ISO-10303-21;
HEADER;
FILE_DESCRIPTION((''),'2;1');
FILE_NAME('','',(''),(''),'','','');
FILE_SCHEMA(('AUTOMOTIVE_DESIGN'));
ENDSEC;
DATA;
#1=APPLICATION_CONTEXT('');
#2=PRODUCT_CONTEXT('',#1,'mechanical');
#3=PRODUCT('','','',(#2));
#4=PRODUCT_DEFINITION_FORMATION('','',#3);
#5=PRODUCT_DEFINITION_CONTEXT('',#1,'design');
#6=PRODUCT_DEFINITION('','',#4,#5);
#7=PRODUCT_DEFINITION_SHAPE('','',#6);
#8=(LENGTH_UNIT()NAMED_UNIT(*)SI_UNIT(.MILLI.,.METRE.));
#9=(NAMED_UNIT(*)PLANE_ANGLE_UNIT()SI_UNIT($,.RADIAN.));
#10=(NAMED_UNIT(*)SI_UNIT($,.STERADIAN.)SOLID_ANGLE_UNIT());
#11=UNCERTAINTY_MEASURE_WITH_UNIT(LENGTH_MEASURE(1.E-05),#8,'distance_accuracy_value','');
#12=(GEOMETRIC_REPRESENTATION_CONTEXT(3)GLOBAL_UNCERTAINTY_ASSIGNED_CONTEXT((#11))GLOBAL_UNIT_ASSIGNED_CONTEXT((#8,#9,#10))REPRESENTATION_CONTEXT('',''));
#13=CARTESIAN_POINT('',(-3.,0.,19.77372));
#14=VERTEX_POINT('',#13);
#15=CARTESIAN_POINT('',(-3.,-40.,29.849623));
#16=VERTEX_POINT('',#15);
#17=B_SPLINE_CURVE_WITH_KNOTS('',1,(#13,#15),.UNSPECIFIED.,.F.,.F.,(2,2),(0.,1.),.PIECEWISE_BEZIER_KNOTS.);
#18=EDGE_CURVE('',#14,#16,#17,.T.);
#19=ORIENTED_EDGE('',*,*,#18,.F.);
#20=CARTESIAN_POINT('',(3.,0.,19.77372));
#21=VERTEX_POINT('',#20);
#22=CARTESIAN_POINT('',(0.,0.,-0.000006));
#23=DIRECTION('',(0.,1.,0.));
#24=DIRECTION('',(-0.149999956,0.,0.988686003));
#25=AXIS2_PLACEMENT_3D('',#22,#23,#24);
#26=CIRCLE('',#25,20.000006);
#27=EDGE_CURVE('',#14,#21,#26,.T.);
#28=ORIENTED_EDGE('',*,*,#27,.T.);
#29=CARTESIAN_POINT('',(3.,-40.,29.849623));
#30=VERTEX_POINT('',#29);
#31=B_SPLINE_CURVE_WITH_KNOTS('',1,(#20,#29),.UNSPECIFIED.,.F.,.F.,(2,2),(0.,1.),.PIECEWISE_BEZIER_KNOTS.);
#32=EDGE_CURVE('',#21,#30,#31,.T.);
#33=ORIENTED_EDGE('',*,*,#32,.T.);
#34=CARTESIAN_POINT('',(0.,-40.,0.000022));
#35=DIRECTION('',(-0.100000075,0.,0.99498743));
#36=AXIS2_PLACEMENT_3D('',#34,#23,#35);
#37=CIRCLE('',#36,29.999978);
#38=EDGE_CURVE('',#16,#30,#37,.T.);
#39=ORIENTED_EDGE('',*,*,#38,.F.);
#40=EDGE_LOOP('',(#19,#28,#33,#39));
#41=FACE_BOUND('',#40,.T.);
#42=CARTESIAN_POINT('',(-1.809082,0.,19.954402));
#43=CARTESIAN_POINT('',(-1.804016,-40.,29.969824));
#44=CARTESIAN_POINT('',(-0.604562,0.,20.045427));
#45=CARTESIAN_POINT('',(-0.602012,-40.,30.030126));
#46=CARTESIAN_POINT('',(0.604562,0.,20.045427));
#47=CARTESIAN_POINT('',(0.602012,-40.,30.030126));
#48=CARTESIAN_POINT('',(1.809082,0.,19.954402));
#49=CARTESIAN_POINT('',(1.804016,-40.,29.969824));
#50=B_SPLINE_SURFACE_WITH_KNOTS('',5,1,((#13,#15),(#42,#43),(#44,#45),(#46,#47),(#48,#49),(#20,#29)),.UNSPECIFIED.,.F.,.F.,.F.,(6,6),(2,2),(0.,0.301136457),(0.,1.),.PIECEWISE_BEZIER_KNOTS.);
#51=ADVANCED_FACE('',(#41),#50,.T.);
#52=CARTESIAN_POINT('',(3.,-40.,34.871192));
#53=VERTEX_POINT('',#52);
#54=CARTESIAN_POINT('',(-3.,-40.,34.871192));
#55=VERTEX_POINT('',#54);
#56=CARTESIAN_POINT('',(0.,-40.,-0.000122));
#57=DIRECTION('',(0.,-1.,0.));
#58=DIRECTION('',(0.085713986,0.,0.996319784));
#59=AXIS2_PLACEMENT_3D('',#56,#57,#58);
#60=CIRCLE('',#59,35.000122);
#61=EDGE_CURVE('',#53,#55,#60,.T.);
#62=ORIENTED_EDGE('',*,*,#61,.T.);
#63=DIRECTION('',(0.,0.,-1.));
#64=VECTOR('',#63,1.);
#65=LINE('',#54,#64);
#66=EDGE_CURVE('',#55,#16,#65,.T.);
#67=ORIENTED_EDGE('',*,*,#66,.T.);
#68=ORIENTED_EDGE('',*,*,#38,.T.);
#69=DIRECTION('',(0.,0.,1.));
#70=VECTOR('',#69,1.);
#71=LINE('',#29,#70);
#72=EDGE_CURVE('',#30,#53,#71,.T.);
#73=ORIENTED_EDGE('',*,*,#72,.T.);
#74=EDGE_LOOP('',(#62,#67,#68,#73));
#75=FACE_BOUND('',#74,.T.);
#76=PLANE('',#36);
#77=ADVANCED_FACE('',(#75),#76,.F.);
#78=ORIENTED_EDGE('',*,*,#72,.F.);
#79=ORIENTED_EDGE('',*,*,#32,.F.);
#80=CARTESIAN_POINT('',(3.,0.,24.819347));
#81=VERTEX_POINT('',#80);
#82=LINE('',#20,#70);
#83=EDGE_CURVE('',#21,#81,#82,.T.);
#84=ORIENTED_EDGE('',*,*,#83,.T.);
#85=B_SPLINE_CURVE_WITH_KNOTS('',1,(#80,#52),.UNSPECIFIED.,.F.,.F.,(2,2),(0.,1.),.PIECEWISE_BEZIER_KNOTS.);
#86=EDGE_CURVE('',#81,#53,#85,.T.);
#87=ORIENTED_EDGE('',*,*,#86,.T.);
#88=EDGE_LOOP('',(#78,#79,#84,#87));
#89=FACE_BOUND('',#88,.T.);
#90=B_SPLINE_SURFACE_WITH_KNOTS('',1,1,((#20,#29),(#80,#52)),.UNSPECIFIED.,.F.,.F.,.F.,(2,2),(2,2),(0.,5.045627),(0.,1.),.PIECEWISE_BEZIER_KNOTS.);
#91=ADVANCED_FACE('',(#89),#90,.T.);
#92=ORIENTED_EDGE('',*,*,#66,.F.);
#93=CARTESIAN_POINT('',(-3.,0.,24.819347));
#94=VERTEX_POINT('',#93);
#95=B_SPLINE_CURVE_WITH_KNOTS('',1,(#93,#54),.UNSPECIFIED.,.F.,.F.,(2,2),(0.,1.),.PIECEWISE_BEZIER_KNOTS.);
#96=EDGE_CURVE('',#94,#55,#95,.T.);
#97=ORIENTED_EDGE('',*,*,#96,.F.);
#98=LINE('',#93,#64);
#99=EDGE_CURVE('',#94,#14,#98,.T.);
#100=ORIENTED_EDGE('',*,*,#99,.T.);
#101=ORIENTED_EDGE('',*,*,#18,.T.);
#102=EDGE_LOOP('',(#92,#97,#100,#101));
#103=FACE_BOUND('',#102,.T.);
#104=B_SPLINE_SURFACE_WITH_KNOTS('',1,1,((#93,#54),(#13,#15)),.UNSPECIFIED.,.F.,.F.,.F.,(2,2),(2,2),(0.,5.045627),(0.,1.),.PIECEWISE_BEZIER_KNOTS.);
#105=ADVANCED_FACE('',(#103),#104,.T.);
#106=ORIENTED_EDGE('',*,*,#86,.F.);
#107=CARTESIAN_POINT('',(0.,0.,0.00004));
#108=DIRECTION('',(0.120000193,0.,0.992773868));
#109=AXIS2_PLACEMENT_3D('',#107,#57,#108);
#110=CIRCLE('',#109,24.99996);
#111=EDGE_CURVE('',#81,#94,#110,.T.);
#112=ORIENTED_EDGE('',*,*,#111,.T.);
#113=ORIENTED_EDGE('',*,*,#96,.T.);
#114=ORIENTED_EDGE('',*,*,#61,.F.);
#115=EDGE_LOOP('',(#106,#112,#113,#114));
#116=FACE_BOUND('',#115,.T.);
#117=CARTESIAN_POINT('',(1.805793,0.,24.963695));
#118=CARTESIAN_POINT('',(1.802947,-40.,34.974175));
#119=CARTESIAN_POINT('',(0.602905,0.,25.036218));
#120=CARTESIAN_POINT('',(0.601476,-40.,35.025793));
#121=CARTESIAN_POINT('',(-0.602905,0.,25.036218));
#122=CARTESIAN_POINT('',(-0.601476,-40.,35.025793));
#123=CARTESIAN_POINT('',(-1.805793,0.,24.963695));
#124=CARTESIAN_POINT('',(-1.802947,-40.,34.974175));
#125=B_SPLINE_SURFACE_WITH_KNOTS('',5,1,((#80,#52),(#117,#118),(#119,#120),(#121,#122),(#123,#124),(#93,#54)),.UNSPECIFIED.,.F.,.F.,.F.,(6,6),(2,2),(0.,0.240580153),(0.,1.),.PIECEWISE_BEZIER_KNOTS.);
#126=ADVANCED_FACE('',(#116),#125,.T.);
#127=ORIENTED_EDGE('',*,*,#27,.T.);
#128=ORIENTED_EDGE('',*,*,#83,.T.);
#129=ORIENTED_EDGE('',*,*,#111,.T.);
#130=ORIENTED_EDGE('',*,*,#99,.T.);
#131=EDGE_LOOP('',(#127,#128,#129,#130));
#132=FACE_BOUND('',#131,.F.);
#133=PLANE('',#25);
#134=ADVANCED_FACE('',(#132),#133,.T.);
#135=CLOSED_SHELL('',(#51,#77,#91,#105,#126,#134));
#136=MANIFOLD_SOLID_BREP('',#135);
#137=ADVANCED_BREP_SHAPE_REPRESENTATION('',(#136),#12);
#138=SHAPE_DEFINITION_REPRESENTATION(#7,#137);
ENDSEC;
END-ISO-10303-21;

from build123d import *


with BuildPart() as f3:
    # F0 (on Front) → F3 section 0
    with BuildSketch(Plane.XZ):
        with BuildLine():
            ThreePointArc((-3, 19.77372), (0, 20), (3, 19.77372))
            Line((3, 19.77372), (3, 24.819347))
            ThreePointArc((3, 24.819347), (0, 25), (-3, 24.819347))
            Line((-3, 24.819347), (-3, 19.77372))
        make_face()
    # F2 (on offset) → F3 section 1
    with BuildSketch(Plane.XZ.offset(40)):
        with BuildLine():
            ThreePointArc((-3, 29.849623), (0, 30), (3, 29.849623))
            Line((3, 29.849623), (3, 34.871192))
            ThreePointArc((3, 34.871192), (0, 35), (-3, 34.871192))
            Line((-3, 34.871192), (-3, 29.849623))
        make_face()
    loft()


solid = f3.part
